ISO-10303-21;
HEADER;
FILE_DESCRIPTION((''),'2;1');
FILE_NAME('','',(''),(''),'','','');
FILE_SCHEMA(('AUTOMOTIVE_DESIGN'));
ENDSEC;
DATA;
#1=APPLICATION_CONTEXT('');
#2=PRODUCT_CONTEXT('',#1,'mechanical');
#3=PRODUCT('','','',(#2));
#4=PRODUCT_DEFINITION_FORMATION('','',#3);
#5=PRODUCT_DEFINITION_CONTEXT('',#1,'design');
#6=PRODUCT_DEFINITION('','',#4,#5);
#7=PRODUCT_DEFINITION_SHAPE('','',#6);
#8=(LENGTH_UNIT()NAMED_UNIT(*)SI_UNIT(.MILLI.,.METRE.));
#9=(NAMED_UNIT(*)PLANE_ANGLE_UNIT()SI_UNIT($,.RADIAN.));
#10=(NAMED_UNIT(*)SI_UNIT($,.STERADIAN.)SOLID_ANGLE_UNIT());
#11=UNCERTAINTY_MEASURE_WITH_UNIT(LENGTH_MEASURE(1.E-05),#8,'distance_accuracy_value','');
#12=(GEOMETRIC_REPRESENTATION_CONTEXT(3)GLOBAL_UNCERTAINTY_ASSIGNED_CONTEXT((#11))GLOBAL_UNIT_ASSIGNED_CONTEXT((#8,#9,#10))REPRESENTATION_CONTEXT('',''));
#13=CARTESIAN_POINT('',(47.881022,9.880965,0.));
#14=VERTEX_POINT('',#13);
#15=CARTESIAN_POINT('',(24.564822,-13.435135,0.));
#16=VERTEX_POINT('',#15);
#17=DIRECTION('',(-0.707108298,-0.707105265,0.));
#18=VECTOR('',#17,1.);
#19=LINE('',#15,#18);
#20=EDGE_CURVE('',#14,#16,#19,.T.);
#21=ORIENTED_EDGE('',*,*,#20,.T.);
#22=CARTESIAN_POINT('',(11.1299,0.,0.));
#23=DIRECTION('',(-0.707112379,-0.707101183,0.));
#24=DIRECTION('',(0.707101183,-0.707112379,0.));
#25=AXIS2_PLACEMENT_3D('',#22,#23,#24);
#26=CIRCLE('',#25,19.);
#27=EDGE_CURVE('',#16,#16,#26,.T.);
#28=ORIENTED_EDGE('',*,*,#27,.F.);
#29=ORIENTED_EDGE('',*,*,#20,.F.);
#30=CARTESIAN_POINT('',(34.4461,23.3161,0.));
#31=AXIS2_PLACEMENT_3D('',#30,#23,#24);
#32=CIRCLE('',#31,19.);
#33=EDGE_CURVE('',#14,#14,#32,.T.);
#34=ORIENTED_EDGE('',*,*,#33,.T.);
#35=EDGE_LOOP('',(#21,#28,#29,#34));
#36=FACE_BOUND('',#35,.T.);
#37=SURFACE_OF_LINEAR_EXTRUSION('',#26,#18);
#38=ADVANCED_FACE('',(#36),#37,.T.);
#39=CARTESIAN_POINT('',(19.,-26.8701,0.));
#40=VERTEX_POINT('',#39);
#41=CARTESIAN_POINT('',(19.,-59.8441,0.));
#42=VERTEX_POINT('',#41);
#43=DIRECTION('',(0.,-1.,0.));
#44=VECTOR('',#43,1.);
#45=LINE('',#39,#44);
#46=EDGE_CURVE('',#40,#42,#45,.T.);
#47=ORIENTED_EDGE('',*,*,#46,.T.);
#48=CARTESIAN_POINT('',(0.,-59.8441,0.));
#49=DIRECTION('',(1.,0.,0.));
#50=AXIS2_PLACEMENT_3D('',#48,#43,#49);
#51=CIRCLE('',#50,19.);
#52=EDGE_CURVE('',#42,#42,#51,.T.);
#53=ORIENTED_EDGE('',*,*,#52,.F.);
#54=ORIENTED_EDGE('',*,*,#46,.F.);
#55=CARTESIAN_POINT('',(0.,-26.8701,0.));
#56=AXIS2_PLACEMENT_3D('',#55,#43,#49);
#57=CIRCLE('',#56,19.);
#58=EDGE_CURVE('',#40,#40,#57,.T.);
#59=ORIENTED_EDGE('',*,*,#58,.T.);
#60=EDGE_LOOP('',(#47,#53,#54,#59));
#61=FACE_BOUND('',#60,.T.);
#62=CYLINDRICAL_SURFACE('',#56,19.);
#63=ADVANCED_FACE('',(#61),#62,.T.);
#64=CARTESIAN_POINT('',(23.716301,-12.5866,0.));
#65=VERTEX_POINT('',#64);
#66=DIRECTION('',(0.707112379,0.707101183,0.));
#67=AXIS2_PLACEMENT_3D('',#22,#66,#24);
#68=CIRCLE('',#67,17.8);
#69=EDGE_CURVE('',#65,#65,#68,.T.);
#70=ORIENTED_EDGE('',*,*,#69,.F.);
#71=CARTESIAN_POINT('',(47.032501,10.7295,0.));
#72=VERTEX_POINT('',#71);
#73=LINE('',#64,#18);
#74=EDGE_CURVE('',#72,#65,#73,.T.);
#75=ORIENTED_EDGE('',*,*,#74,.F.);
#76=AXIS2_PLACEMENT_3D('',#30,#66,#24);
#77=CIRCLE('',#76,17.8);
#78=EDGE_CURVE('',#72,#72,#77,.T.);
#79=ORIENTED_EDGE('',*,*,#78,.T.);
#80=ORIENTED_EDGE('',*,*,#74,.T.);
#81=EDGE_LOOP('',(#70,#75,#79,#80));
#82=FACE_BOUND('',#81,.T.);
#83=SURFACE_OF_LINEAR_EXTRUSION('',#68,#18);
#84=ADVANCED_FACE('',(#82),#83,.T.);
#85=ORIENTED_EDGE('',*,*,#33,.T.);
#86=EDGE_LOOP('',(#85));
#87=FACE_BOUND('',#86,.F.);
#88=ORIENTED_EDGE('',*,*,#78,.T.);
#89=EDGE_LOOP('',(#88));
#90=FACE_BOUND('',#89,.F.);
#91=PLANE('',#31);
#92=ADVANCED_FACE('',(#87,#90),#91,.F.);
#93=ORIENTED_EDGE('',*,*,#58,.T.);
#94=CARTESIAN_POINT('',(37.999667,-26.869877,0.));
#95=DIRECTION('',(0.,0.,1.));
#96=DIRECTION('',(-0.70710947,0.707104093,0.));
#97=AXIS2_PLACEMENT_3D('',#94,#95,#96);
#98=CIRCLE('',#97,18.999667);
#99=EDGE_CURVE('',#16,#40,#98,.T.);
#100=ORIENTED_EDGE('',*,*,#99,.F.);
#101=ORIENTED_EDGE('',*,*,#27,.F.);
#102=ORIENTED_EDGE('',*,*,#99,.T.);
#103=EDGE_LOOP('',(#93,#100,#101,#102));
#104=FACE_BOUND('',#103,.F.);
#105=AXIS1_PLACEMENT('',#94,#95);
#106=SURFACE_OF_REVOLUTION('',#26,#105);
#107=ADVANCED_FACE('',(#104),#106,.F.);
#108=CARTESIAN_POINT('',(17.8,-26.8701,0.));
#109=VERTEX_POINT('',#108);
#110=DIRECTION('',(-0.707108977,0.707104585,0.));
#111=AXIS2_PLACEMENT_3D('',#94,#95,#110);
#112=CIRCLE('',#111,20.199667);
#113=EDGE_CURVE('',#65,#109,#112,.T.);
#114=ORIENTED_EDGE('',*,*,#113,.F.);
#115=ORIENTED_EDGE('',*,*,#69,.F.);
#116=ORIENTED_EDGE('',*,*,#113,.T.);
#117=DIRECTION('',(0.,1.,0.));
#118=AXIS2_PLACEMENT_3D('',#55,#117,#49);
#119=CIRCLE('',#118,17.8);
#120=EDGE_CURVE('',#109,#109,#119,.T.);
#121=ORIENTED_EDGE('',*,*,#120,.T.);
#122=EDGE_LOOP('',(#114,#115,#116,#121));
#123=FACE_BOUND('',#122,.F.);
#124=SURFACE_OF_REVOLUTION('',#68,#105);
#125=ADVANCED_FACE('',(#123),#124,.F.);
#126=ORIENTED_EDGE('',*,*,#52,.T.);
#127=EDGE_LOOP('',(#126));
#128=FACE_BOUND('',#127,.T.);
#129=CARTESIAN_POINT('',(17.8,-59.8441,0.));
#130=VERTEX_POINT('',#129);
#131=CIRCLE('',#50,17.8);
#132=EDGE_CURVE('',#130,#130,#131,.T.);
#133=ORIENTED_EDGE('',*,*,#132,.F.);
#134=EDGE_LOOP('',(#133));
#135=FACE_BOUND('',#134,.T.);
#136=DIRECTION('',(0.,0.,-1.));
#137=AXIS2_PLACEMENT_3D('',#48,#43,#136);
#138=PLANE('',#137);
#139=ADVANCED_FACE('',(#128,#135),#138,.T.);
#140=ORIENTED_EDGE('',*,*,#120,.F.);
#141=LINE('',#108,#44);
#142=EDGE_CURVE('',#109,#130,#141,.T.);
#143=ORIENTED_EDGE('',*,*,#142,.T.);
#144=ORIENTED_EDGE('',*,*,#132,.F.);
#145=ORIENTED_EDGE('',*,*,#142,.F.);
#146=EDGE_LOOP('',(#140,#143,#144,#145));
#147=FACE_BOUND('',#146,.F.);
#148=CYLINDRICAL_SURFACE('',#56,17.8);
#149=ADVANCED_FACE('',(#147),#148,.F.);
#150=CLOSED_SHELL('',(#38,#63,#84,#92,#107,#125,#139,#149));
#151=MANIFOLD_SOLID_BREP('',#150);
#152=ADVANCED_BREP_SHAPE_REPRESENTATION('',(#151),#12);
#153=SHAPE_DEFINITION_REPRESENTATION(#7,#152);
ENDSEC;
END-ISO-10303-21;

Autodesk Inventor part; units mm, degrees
ref_plane "YZ Plane" through (0, 0, 0) normal (1, 0, 0) x (0, 1, 0)
ref_plane "XZ Plane" through (0, 0, 0) normal (0, 1, 0) x (-1, 0, 0)
sketch "Szkic6" plane through (0, 0, 0) normal (0, 0, 1) x (1, 0, 0)
  line L0 (-29.6067, 0) -> (35.2678, 0) construction
  line L1 (0, 42.3419) -> (0, -58.3726) construction
  arc A0 (11.1299, 0) -> (0, -26.8701) centre (38, -26.8701) ccw
  line L2 (0, -26.8701) -> (38, -26.8701) construction
  line L3 (38, -26.8701) -> (-8.3389, 19.4688) construction
  line L4 (11.1299, 0) -> (34.4461, 23.3161)
  line L5 (0, -26.8701) -> (0, -59.8441)
  point P0 (0, 0)
  dimension "d24" = 38
  dimension "d31" = 45
  dimension "d36" = 32.974
  dimension "d37" = 32.974
ref_plane "Płaszczyzna konstrukcyjna2" through (0, -26.8701, 0) normal (0, -1, 0) x (1, 0, 0)
sketch "Szkic8" plane through (0, -26.8701, 0) normal (0, -1, 0) x (1, 0, 0)
  circle A0 centre (0, 0) radius 19
  circle A1 centre (0, 0) radius 17.8
  dimension "d32" = 38
  dimension "d33" = 1.2
sweep "Przeciągnięcie2" add profiles "Szkic8" path "Szkic6"
equation "\"d32\" = OD"
equation "\"d33\" = THK"
equation "\"d24\" = R"
equation "\"d31\" = KAT"
equation "\"d36\" = PROSTKA"
equation "\"d37\" = PROSTKA"
equation "\"SzerokośćGięciaPodcięcia\" = Grubość"
equation "\"RozmiarPodcięciaNarożnika\" = 4 * Grubość"
equation "\"PromieńPrzejścia\" = PromieńGięcia"
equation "\"Rozmiar_promienia_Jacobiego\" = PromieńGięcia"
equation "\"Wielk_odstępu\" = Grubość"
equation "\"d2\" = PromieńGięcia"
equation "\"d23\" = PromieńGięcia"
equation "\"R\" = 38"
equation "\"OD\" = 38"
equation "\"THK\" = 1.2"
equation "\"KAT\" = 45deg"
equation "\"PROSTKA\" = 32.974"
equation "\"Grubość\" = 1.5"
equation "\"PromieńGięcia\" = 3"
properties part number "Kolano 45° ø38x1,2 R38" material "304L"
